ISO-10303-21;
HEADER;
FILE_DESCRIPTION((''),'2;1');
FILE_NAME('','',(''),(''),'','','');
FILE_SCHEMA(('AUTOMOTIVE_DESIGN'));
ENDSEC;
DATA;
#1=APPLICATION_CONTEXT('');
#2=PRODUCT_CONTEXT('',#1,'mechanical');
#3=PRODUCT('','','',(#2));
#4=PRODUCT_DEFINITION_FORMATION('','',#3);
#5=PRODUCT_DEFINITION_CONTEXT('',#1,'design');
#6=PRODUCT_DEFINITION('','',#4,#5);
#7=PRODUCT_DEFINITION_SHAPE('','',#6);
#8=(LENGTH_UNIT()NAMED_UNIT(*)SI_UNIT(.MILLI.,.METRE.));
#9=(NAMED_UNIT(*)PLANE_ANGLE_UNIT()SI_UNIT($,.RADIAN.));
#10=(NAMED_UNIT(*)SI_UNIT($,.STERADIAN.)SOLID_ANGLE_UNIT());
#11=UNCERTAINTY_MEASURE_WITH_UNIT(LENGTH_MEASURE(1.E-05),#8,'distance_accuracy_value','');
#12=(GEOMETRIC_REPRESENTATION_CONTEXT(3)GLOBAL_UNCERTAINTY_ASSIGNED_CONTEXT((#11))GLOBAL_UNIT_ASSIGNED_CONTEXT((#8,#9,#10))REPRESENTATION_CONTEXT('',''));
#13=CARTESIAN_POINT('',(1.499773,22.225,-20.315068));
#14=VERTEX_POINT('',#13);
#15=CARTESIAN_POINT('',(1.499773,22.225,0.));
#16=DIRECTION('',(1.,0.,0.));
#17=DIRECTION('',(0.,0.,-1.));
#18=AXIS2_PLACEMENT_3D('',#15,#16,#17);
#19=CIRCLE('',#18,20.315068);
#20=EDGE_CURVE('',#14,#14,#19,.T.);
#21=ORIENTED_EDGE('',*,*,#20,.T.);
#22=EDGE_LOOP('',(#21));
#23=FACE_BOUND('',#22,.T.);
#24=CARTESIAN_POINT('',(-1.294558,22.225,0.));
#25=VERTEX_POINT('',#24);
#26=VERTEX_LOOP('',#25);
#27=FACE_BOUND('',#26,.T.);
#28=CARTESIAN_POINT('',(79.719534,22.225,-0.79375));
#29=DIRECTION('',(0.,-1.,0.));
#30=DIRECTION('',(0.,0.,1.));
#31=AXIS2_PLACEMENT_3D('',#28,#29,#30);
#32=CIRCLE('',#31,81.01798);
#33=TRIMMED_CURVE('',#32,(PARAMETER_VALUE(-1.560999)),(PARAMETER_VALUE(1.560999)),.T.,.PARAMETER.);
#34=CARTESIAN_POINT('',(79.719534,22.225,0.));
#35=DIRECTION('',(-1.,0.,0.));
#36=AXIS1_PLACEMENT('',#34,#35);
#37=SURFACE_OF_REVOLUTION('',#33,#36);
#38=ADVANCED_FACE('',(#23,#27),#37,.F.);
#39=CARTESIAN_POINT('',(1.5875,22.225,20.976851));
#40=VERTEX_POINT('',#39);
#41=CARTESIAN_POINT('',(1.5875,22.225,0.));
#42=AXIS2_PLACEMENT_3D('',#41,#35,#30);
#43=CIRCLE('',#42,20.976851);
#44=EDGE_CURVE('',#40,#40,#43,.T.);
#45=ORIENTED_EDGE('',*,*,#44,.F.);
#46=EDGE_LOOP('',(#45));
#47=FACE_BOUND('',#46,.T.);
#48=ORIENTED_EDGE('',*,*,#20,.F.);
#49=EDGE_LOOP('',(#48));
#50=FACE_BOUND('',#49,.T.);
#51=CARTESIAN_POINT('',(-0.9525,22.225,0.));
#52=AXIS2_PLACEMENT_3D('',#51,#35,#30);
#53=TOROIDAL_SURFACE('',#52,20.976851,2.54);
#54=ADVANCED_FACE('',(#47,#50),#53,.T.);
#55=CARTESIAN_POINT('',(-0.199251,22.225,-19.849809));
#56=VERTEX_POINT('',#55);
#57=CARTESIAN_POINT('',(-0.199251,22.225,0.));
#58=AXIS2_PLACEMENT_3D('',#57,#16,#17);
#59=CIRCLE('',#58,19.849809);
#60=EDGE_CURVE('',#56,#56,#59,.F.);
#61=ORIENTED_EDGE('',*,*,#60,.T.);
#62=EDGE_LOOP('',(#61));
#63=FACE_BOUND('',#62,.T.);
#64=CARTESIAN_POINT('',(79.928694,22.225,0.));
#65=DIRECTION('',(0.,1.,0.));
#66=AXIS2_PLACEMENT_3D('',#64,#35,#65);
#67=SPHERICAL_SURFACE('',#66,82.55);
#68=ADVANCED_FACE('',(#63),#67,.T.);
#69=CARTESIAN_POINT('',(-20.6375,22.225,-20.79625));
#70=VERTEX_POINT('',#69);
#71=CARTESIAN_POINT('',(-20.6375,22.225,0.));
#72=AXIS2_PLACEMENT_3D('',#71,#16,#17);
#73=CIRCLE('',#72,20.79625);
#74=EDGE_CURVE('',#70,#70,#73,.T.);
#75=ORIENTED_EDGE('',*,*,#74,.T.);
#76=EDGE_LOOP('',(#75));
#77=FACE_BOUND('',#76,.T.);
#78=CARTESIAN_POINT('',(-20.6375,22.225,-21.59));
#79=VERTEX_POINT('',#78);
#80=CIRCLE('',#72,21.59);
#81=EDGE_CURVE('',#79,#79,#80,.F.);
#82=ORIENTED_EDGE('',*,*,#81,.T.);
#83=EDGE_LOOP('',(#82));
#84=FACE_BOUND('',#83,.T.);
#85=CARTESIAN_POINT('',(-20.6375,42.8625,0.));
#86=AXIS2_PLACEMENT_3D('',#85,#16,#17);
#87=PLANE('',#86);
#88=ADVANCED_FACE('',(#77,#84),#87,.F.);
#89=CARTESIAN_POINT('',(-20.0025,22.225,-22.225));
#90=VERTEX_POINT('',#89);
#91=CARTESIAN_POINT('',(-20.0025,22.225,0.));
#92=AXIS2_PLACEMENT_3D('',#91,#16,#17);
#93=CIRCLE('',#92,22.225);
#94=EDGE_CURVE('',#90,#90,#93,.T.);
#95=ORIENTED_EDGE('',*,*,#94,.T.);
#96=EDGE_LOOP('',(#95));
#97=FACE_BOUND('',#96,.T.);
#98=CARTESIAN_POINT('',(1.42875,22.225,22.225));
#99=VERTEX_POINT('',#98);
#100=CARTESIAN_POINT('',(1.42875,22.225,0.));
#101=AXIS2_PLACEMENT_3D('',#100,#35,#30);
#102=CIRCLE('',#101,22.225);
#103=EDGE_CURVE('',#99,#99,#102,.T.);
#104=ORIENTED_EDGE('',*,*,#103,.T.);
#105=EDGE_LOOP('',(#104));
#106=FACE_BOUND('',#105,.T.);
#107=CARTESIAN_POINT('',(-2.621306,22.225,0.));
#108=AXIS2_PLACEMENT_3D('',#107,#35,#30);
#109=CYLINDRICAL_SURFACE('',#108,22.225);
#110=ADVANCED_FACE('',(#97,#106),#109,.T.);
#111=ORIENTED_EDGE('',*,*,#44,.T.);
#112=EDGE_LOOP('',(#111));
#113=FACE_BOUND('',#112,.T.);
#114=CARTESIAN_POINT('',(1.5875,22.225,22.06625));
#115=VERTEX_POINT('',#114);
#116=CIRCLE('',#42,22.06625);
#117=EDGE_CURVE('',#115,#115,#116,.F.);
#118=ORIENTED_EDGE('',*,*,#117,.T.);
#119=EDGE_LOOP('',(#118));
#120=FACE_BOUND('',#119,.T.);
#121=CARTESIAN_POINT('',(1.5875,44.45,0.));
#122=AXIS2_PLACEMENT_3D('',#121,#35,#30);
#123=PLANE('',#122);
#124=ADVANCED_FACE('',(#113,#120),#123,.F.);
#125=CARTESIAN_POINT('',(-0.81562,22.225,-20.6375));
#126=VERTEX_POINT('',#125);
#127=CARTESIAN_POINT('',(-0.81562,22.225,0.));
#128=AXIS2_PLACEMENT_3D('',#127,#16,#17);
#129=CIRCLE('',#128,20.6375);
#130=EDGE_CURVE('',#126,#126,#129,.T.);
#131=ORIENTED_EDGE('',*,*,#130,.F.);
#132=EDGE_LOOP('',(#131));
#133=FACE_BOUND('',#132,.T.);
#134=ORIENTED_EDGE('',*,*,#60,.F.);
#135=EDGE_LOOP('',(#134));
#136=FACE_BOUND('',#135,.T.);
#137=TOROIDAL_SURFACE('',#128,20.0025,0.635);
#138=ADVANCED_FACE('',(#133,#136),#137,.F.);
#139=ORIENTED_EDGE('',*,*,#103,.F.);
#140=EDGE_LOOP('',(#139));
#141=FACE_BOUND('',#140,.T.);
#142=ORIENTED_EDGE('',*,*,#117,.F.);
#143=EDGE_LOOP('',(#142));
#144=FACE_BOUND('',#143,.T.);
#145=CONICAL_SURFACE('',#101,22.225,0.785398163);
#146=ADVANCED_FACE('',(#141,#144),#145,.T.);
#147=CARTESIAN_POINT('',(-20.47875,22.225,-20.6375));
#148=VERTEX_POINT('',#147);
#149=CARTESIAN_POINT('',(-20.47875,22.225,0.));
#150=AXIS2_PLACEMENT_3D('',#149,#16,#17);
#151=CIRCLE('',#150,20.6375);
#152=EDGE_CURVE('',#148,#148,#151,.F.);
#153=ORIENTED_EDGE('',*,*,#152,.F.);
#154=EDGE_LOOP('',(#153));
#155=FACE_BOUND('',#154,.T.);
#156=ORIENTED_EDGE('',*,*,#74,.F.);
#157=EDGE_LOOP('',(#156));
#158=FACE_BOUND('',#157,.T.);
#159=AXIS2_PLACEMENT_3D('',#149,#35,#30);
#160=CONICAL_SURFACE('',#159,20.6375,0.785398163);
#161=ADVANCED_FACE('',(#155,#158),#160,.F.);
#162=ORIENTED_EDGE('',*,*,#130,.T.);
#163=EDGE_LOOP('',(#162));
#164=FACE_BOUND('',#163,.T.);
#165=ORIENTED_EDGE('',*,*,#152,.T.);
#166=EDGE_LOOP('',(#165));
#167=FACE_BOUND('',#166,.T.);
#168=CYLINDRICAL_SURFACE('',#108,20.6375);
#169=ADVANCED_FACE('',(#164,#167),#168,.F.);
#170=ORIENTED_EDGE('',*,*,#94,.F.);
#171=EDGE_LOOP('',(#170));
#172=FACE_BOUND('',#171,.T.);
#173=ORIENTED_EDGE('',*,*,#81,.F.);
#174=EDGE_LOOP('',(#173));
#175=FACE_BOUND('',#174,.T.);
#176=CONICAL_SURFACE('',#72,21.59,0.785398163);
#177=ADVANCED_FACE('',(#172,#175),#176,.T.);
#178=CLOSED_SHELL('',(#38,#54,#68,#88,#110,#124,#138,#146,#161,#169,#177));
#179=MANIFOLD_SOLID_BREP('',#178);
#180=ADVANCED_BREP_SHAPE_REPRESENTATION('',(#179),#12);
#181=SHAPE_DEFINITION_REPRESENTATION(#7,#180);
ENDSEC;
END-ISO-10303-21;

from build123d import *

# Parameters (mm, degrees)
CHAMFER2_SIZE = 0.635
CHAMFER3_SIZE = 0.15875
FILLET1_R     = 2.54
FILLET2_R     = 0.635


with BuildPart() as part:
    # Sketch1 → Revolve1 (revolve)
    with BuildSketch(Plane.XY):
        with BuildLine():
            Line((-2.621306193, 22.225), (-1.294558461, 22.225))
            ThreePointArc((-1.294558461, 22.225), (-0.519789241, 32.63679423), (1.5875, 42.8625))
            Line((1.5875, 42.8625), (1.5875, 44.45))
            Line((1.5875, 44.45), (-20.6375, 44.45))
            Line((-20.6375, 44.45), (-20.6375, 42.8625))
            Line((-20.6375, 42.8625), (0, 42.8625))
            ThreePointArc((0, 42.8625), (-1.963357619, 32.626654344), (-2.621306193, 22.225))
        make_face()
    revolve(axis=Axis((-2.621306193, 22.225, 0), (1, 0, 0)))

    # Chamfer2
    chamfer2_edges = [part.edges().sort_by_distance(p)[0] for p in [
        (-20.6375, 0, 0),
    ]]
    chamfer(chamfer2_edges, length=CHAMFER2_SIZE)

    # Chamfer3
    chamfer3_edges = [part.edges().sort_by_distance(p)[0] for p in [
        (1.5875, 0, 0),
        (-20.6375, 1.5875, 0),
    ]]
    chamfer(chamfer3_edges, length=CHAMFER3_SIZE)

    # Fillet1
    fillet1_edges = [part.edges().sort_by_distance(p)[0] for p in [
        (1.5875, 1.5875, 0),
    ]]
    fillet(fillet1_edges, radius=FILLET1_R)

    # Fillet2
    fillet2_edges = [part.edges().sort_by_distance(p)[0] for p in [
        (0, 1.5875, 0),
    ]]
    fillet(fillet2_edges, radius=FILLET2_R)


solid = part.part
